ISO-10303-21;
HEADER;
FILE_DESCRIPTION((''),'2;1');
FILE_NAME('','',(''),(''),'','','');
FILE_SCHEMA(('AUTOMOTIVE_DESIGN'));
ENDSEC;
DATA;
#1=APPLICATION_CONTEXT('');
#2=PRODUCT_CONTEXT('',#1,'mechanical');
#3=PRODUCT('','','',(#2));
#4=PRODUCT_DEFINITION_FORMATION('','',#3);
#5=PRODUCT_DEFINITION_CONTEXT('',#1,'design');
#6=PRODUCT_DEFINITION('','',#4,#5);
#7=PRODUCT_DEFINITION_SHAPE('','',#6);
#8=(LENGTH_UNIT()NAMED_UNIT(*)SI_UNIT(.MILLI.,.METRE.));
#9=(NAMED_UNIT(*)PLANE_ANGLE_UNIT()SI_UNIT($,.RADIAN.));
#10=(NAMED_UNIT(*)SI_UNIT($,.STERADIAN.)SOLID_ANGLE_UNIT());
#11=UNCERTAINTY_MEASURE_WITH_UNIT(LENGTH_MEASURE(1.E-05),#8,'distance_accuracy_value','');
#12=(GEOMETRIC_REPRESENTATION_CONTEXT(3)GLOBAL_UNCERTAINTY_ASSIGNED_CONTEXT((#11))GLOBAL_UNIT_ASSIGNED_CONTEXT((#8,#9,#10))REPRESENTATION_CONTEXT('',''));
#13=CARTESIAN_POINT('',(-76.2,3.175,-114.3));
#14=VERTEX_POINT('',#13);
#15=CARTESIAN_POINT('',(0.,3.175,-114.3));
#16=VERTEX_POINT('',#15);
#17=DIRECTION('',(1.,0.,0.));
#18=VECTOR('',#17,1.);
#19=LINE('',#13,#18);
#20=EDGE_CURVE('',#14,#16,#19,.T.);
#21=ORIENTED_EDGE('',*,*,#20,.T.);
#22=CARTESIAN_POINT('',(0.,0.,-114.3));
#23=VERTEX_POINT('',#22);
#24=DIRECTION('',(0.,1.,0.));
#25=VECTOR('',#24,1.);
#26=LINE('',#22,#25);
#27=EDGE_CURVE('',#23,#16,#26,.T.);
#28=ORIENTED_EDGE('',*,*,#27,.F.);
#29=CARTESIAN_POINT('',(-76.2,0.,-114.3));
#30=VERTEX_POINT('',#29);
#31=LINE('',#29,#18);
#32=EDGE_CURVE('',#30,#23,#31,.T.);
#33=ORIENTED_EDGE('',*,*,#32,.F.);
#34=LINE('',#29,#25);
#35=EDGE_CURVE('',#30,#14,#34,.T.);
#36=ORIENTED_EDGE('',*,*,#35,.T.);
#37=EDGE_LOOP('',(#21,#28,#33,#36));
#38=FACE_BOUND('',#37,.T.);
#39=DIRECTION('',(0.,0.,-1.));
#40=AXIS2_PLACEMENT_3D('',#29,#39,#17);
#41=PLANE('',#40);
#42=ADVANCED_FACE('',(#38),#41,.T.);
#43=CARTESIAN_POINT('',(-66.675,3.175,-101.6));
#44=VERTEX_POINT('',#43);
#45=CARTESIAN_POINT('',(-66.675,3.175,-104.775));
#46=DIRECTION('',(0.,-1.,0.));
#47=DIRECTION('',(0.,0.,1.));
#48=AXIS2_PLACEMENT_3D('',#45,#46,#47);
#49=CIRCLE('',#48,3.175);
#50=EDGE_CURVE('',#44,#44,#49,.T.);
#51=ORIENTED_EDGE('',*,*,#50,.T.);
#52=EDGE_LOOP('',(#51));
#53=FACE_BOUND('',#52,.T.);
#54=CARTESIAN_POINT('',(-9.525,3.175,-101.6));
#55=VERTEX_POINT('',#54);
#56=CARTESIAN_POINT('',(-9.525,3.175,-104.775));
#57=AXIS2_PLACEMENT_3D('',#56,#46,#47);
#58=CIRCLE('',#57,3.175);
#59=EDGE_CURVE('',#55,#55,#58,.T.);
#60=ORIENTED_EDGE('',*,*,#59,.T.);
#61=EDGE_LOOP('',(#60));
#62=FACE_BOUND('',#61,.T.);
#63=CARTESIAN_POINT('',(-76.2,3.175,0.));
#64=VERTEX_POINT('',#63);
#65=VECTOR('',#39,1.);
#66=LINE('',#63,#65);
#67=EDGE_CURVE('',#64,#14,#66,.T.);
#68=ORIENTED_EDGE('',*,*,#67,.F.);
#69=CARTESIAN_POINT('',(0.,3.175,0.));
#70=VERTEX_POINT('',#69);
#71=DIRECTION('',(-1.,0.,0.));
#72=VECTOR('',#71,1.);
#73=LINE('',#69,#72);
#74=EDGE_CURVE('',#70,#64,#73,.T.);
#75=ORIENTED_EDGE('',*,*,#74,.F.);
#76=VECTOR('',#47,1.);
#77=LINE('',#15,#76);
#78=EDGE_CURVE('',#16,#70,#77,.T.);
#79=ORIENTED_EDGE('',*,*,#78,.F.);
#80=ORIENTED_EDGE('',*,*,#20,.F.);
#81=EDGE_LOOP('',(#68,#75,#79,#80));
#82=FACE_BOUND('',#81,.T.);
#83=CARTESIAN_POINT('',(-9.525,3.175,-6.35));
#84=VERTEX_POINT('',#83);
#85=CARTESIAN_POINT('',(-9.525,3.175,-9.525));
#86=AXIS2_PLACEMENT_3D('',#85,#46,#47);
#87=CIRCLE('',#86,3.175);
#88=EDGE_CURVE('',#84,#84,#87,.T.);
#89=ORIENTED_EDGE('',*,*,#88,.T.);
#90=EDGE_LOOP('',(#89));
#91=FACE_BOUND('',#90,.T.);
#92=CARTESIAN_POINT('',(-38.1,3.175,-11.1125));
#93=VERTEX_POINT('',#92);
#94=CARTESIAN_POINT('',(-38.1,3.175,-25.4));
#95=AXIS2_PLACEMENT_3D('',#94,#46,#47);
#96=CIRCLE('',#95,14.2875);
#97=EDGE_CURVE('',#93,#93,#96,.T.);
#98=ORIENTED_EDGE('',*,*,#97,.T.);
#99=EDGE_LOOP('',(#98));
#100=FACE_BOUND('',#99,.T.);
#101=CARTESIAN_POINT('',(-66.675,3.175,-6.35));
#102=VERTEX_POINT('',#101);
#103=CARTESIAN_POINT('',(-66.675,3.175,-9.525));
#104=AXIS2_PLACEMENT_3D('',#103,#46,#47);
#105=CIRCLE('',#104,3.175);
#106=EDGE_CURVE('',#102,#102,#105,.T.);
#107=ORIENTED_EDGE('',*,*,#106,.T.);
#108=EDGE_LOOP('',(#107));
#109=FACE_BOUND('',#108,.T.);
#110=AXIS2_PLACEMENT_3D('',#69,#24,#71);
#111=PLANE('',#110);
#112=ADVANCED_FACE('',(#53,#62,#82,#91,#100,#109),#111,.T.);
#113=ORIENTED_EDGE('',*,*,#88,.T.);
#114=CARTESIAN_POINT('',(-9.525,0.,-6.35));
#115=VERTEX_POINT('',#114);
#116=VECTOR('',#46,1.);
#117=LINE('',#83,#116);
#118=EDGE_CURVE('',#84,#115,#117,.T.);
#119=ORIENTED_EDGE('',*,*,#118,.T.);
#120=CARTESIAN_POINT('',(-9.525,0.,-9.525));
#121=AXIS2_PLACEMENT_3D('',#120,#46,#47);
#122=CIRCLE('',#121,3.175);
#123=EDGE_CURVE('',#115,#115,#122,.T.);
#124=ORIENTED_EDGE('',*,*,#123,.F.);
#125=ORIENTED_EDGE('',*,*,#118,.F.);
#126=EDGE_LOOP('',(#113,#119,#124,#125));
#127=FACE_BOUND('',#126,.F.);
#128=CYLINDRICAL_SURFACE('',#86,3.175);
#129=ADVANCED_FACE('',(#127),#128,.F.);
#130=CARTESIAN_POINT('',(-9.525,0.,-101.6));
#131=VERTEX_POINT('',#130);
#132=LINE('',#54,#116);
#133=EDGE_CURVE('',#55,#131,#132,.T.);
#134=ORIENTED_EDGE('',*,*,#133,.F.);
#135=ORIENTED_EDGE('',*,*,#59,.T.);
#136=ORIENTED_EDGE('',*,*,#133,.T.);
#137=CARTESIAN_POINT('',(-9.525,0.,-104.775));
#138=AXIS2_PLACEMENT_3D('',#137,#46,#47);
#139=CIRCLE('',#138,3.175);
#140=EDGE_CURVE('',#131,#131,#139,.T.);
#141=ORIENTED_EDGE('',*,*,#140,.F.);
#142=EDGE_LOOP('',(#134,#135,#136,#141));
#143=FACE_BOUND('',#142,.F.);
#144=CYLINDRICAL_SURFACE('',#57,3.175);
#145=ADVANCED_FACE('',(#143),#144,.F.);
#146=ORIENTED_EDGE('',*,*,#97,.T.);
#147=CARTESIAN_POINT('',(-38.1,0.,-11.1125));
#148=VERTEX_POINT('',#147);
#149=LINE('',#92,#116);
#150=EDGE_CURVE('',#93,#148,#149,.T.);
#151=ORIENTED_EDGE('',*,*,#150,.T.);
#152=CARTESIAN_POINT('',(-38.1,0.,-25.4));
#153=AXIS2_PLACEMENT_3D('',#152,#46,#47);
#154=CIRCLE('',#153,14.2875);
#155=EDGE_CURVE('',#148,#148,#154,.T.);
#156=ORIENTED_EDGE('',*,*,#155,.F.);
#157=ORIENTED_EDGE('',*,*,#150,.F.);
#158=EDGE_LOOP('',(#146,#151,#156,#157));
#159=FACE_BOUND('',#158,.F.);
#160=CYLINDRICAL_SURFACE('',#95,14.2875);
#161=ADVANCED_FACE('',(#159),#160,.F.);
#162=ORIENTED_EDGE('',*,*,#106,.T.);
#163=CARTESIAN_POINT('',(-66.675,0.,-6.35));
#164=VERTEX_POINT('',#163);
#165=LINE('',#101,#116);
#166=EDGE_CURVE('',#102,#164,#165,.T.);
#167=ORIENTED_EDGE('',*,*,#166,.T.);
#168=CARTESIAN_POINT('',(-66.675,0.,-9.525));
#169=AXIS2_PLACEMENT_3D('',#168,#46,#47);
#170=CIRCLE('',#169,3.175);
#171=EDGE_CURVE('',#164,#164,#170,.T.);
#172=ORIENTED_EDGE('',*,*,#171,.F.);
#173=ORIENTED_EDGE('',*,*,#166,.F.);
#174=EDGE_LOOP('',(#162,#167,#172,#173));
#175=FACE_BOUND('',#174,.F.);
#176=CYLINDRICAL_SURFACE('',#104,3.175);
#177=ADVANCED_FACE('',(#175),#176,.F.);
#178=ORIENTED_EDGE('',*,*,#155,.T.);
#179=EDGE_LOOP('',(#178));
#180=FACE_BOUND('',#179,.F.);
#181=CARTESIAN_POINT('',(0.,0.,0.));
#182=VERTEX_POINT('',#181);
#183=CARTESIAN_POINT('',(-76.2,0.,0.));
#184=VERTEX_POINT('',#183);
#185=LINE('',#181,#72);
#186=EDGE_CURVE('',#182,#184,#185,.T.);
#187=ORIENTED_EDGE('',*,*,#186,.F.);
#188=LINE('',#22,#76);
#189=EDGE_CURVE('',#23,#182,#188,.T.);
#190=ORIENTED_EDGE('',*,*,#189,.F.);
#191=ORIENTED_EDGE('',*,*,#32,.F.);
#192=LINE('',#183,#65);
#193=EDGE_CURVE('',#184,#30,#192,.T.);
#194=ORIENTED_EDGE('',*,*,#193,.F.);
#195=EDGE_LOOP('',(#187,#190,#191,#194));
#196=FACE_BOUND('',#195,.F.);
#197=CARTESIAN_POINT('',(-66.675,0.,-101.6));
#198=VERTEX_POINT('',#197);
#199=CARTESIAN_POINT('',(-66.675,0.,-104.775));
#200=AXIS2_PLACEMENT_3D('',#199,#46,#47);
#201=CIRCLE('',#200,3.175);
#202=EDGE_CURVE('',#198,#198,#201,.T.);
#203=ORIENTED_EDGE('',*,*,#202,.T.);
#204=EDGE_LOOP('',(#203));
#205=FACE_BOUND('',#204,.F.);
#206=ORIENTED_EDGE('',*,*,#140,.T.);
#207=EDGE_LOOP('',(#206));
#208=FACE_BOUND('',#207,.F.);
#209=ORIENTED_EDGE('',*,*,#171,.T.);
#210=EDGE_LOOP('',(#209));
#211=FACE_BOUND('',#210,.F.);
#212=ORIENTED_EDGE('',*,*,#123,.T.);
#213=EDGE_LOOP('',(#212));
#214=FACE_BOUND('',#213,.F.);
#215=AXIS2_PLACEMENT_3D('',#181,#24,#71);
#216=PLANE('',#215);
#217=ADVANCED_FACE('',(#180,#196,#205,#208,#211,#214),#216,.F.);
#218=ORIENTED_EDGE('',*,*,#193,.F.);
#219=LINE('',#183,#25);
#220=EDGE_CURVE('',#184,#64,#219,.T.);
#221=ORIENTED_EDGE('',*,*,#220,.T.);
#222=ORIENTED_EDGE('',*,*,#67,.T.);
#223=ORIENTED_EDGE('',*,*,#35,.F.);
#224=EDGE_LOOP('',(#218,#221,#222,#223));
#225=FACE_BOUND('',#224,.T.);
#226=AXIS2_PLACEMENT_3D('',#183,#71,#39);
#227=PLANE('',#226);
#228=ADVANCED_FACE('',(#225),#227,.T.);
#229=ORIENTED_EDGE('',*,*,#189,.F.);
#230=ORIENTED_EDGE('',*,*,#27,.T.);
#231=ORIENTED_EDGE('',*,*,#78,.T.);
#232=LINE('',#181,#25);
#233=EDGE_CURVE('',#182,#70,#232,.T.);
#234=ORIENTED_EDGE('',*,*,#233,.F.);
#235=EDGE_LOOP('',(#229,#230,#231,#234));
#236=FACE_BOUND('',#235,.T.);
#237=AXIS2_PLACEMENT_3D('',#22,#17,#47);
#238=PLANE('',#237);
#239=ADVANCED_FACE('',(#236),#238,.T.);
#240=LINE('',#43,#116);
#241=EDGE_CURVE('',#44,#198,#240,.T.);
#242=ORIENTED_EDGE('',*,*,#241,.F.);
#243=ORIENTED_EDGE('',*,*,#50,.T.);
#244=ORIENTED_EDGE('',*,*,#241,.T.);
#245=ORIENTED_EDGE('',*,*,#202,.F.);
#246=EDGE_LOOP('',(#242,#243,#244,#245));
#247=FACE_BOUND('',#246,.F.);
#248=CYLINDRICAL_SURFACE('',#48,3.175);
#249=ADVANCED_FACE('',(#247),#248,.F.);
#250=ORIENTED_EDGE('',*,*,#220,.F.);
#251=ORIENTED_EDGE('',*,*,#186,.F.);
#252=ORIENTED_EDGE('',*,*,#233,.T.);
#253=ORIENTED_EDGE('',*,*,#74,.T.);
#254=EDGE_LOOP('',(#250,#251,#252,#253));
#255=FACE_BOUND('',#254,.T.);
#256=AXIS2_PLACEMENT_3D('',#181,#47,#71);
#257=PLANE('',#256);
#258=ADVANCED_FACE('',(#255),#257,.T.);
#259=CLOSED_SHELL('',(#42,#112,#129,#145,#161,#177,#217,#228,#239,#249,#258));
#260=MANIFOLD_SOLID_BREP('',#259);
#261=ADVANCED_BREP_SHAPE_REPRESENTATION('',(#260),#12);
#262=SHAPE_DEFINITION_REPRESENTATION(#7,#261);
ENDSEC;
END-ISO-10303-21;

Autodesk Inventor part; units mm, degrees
ref_plane "YZ Plane" through (0, 0, 0) normal (1, 0, 0) x (0, 1, 0)
ref_plane "XZ Plane" through (0, 0, 0) normal (0, 1, 0) x (-1, 0, 0)
ref_plane "XY Plane" through (0, 0, 0) normal (0, 0, 1) x (1, 0, 0)
sketch "Sketch1" plane through (0, 0, 0) normal (0, 1, 0) x (-1, 0, 0)
  line L0 (0, 0) -> (76.2, 0)
  line L1 (76.2, 0) -> (76.2, -114.3)
  line L2 (76.2, -114.3) -> (0, -114.3)
  line L3 (0, -114.3) -> (0, 0)
  dimension "d0" = 76.2
  dimension "d1" = 114.3
extrude "Extrusion1" add sketch "Sketch1" along normal blind 3.175
hole "Hole1" at (-9.525, 3.175, -9.525) direction (0, -1, 0) diameter 6.35 depth 25.4 tip angle 118
hole "Hole2" at (-9.525, 3.175, -104.775) direction (0, -1, 0) diameter 6.35 depth 25.4 tip angle 118
hole "Hole3" at (-66.675, 3.175, -104.775) direction (0, -1, 0) diameter 6.35 depth 25.4 tip angle 118
hole "Hole4" at (-66.675, 3.175, -9.525) direction (0, -1, 0) diameter 6.35 depth 25.4 tip angle 118
hole "Hole5" at (-38.1, 3.175, -25.4) direction (0, -1, 0) diameter 28.575 depth 25.4 tip angle 118
properties part number "Back Gearbox Plate"
